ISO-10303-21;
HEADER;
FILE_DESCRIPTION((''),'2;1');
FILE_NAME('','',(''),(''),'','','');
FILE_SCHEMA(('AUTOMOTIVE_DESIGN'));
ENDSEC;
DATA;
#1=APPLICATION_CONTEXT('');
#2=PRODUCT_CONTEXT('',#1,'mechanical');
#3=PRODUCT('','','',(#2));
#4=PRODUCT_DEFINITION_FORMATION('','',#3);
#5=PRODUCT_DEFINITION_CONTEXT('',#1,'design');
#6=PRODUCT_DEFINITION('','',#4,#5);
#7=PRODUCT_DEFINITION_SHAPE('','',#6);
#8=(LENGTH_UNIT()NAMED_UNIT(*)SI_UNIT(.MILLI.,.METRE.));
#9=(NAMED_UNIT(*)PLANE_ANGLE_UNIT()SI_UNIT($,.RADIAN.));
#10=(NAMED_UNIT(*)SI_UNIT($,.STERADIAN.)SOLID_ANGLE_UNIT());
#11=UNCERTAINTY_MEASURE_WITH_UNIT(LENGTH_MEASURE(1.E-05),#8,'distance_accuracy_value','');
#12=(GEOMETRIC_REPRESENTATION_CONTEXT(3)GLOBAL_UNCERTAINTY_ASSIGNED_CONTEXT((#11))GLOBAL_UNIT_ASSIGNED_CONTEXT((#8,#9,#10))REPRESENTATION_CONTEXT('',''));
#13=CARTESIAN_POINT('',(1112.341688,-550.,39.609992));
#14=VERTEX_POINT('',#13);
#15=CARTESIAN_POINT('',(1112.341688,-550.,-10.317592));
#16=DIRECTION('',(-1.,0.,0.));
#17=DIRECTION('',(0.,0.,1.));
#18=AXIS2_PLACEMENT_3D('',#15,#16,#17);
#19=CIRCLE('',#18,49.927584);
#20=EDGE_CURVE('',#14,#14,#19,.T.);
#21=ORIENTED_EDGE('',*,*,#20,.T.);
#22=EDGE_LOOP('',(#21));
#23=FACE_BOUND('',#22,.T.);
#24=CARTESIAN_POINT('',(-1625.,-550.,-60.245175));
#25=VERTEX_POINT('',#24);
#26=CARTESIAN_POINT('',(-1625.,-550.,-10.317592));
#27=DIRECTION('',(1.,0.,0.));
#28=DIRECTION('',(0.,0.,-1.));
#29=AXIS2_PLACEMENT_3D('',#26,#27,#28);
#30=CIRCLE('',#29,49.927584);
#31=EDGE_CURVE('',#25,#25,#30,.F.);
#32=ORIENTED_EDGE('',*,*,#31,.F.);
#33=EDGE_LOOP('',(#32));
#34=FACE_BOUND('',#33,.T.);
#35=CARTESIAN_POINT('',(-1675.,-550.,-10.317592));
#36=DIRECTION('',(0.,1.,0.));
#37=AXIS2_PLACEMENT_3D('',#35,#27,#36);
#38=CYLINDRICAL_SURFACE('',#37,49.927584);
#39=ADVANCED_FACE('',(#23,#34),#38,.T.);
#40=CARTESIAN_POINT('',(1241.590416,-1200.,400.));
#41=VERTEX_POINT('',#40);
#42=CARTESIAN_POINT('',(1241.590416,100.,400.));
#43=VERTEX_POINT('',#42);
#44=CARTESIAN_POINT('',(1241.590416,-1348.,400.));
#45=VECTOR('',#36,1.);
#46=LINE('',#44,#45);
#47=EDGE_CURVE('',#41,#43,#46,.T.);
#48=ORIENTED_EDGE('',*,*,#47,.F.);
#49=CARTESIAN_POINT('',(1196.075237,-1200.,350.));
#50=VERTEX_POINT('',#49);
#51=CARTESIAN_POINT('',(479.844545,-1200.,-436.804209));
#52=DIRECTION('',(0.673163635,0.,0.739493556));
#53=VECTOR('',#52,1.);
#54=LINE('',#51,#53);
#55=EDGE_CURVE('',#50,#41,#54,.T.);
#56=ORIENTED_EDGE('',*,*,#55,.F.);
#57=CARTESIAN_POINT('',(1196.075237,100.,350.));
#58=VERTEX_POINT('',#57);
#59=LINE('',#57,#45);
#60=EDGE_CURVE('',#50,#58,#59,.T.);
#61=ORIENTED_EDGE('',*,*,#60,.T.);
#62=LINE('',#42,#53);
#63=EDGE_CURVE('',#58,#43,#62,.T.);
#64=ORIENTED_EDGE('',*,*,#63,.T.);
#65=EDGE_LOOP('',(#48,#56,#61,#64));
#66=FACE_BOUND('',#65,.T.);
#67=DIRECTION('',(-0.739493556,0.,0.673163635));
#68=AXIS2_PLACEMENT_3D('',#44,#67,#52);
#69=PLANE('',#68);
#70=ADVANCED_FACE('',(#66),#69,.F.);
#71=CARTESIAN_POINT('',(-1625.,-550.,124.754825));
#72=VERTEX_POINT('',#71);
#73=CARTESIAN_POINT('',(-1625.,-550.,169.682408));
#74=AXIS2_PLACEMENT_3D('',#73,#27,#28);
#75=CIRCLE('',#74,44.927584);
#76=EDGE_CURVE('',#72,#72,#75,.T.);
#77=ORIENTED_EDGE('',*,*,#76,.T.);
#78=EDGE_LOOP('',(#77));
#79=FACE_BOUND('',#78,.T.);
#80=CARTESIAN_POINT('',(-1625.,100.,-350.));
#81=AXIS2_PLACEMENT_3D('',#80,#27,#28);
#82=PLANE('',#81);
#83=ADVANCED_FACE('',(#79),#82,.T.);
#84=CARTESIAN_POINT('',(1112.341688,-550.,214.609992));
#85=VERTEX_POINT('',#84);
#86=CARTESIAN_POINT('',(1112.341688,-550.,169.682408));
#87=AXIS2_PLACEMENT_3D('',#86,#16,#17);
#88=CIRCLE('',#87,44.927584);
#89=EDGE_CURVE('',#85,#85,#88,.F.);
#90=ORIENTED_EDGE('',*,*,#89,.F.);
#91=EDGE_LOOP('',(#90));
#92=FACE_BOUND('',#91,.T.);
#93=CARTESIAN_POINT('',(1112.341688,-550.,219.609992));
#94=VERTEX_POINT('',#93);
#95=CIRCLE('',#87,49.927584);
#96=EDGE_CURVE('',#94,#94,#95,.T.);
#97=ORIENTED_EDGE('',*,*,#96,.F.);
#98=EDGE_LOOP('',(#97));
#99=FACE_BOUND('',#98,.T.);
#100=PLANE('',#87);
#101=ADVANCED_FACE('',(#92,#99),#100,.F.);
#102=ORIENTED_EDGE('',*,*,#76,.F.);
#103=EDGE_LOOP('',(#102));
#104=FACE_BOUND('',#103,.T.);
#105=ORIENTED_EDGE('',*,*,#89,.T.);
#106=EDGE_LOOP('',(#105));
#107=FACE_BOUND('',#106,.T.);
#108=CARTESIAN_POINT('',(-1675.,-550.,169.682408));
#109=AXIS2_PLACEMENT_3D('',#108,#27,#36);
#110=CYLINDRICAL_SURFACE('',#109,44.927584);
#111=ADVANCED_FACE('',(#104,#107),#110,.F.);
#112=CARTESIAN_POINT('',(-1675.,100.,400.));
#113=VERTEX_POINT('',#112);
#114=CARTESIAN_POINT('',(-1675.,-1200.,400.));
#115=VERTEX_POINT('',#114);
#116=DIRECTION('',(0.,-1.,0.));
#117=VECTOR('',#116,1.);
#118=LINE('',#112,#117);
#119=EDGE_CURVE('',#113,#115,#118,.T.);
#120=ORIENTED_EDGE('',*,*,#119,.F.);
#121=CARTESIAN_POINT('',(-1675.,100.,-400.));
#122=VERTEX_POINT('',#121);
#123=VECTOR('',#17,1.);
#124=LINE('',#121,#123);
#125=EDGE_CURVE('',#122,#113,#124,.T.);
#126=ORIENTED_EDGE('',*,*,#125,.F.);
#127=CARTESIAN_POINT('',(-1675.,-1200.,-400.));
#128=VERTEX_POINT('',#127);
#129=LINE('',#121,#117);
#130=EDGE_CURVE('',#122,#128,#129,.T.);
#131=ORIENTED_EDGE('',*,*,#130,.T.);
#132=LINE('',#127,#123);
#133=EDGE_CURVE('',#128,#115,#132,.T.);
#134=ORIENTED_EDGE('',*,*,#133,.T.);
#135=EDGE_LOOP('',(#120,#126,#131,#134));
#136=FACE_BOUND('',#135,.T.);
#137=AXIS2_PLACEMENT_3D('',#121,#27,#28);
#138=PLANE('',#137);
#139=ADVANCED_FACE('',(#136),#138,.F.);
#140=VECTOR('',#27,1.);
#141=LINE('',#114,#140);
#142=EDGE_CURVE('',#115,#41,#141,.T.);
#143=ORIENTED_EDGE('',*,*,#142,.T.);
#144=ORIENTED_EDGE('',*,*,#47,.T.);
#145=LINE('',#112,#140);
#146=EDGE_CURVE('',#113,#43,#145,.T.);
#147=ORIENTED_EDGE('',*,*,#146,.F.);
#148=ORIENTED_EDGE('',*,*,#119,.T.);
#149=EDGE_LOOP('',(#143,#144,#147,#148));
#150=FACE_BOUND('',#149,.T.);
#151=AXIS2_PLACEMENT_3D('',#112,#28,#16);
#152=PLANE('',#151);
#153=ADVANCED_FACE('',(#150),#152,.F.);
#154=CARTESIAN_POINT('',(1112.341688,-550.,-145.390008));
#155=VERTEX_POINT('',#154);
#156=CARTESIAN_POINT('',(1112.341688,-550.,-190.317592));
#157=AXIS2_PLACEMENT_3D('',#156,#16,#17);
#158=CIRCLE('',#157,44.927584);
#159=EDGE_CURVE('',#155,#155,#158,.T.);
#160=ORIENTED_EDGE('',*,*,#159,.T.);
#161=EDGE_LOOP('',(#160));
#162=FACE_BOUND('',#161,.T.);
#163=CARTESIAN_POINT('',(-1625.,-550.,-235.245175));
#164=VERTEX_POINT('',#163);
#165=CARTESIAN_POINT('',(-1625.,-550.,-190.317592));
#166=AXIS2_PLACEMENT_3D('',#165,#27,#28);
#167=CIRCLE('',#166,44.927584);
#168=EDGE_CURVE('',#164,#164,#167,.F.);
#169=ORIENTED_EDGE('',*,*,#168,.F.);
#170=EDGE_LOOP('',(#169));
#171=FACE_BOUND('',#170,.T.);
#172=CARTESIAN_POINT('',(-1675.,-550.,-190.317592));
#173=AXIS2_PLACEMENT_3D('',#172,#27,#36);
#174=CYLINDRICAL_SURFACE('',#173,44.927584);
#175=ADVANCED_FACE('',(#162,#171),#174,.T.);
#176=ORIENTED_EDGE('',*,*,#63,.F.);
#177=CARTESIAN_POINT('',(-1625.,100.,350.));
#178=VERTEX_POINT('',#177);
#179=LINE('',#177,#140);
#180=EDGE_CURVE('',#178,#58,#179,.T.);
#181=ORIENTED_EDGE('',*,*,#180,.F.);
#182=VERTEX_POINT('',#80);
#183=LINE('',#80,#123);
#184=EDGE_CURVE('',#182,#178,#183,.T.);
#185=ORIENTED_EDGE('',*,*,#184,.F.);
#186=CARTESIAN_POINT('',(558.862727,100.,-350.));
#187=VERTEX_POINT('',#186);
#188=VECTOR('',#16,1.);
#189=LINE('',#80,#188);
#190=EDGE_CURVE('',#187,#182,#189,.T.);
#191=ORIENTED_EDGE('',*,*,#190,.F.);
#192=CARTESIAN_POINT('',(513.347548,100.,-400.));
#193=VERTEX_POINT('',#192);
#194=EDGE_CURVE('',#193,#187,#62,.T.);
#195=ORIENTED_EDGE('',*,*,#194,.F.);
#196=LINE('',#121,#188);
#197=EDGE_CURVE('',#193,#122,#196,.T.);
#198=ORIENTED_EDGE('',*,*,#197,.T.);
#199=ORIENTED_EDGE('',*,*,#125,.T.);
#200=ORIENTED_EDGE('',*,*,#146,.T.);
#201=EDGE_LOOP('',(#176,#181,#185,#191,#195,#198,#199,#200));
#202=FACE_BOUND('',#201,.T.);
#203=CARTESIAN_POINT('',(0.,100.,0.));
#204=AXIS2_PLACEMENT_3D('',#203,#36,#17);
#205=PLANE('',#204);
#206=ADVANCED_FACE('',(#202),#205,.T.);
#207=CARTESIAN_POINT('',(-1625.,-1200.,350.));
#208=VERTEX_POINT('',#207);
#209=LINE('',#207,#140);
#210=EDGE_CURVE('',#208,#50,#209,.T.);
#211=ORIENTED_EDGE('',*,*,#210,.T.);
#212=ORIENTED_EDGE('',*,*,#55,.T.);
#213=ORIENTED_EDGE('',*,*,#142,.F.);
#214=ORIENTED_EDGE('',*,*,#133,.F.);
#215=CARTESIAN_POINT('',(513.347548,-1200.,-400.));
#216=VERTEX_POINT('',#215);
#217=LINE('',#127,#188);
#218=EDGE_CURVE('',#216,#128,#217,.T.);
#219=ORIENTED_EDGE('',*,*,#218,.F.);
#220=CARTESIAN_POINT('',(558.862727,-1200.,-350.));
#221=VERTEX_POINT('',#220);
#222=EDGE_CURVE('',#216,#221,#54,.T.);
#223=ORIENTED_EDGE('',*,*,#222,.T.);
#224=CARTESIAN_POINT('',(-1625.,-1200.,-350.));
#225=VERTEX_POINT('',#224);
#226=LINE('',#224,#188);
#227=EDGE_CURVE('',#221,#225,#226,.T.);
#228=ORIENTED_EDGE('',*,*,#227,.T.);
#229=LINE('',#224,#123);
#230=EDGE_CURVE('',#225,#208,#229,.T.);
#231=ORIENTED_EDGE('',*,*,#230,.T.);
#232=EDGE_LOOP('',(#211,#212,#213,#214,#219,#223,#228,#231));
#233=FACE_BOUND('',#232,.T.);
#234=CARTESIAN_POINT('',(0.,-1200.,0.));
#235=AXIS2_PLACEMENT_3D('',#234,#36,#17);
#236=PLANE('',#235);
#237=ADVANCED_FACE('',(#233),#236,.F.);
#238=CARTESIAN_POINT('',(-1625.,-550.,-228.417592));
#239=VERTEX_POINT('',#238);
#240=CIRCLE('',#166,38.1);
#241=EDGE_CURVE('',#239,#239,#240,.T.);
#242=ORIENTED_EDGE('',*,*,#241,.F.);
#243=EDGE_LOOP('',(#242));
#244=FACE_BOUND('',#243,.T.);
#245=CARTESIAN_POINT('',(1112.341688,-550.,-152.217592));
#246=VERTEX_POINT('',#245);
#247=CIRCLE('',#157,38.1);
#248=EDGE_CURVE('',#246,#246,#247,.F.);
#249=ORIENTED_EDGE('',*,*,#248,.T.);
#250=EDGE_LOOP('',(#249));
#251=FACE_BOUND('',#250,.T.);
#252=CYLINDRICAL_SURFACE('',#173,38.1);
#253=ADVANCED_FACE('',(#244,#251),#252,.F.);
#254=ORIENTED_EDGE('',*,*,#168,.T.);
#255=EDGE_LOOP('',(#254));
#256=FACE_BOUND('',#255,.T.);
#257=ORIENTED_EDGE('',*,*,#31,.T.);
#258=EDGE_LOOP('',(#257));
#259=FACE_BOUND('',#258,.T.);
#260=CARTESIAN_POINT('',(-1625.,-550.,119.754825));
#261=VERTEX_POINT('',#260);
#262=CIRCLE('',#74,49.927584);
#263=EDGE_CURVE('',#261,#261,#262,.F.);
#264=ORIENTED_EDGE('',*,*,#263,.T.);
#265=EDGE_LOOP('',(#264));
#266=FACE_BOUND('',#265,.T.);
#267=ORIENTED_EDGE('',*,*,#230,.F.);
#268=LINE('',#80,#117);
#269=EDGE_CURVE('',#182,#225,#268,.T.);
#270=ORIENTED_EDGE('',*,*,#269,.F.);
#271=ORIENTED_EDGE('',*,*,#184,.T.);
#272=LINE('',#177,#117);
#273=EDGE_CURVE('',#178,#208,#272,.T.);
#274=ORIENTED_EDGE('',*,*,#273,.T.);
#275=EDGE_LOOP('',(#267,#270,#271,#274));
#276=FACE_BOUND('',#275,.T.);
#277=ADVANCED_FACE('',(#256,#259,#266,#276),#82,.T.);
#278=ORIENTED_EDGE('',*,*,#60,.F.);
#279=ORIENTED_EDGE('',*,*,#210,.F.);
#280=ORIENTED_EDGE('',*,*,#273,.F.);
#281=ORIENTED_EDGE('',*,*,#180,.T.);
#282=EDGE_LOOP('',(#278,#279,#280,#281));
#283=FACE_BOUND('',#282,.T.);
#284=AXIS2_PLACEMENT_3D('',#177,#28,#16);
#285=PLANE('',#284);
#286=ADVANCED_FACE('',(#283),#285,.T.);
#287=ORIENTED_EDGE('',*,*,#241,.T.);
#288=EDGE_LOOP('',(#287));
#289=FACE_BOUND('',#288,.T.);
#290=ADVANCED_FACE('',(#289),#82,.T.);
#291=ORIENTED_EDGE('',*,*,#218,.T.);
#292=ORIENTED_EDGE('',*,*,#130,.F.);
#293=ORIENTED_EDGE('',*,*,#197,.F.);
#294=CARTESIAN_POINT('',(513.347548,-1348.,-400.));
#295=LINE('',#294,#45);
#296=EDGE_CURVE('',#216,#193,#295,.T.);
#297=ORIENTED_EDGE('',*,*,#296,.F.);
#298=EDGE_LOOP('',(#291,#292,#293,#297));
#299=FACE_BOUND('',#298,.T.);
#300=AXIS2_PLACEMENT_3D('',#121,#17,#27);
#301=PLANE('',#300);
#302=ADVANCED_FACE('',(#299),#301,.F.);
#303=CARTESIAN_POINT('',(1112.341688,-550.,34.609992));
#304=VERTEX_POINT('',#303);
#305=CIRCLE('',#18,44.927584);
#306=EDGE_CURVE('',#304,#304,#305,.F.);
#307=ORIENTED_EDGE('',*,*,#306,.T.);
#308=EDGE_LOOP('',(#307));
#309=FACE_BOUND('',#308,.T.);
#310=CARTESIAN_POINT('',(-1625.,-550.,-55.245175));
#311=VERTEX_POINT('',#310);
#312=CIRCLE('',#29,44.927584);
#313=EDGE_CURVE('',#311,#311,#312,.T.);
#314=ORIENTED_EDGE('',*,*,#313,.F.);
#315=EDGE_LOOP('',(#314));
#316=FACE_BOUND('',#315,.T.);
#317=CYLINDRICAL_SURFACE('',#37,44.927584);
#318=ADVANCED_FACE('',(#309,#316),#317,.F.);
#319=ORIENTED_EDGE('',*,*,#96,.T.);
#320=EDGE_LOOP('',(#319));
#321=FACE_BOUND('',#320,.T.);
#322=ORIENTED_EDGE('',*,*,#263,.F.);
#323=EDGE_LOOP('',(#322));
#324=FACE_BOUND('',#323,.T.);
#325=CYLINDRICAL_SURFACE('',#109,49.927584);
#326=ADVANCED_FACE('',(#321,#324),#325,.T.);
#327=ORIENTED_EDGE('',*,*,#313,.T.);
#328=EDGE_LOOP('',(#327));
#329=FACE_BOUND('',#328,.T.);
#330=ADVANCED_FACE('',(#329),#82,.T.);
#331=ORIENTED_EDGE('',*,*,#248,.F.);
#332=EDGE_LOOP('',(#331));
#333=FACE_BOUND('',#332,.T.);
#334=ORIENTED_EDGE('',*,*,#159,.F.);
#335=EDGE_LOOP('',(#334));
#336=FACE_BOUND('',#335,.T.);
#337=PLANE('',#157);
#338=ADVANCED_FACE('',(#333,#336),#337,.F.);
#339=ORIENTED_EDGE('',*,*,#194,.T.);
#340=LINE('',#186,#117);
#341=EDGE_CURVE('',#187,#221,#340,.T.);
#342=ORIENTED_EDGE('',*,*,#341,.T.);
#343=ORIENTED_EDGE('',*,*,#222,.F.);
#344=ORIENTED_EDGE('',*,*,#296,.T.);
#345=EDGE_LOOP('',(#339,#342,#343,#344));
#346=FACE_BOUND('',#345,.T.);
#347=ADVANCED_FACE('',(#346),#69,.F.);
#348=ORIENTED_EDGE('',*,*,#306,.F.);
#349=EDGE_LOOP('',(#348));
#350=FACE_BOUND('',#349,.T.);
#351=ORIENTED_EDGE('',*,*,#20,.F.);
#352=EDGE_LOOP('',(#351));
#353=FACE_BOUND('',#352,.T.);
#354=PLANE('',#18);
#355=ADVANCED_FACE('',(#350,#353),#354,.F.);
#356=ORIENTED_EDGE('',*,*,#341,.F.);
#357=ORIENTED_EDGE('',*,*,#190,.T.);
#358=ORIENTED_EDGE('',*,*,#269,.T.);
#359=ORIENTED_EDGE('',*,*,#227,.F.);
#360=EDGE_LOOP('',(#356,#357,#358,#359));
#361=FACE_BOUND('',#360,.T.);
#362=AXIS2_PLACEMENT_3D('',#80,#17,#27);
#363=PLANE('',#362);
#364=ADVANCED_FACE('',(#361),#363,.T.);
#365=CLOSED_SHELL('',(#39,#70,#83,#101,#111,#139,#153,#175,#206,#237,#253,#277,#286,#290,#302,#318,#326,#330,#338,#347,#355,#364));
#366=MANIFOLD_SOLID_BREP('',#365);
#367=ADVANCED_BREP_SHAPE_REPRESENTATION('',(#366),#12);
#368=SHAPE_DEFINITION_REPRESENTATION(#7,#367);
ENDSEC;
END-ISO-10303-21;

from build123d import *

# Parameters (mm, degrees)
SALIENTE_EXTRUIR1_DEPTH      = 100
SALIENTE_EXTRUIR1_DEPTH_BACK = 1200
CROQUIS1_W                   = 3350
CROQUIS1_H                   = 800
CROQUIS1_W_2                 = 3250
CROQUIS1_H_2                 = 700
CORTAR_EXTRUIR1_DEPTH        = 1448
CROQUIS3_R                   = 44.927583668
CROQUIS3_R_2                 = 38.1
CROQUIS3_R_3                 = 49.927583668


with BuildPart() as part:
    # Croquis1 → Saliente-Extruir1 (new, two sides: drawn at the far end of the back side and taken through both)
    with BuildSketch(Plane(origin=(0, 0, 0), x_dir=(1, 0, 0), z_dir=(0, 1, 0)).offset(-SALIENTE_EXTRUIR1_DEPTH_BACK)):
        Rectangle(CROQUIS1_W, CROQUIS1_H)
        Rectangle(CROQUIS1_W_2, CROQUIS1_H_2, mode=Mode.SUBTRACT)
    extrude(amount=SALIENTE_EXTRUIR1_DEPTH + SALIENTE_EXTRUIR1_DEPTH_BACK)

    # Croquis2 → Cortar-Extruir1 (cut)
    with BuildSketch(Plane(origin=(0, 100, 0), x_dir=(1, 0, 0), z_dir=(0, 1, 0))):
        Polygon((1241.59041613, -400), (513.347548089, 400), (1675, 400), (1675, -400), align=None)
    extrude(amount=-CORTAR_EXTRUIR1_DEPTH, mode=Mode.SUBTRACT)

    # Barrer1: sweep along a curve in space
    with BuildLine() as barrer1_path:
        Line((-1675, -550, 169.682408269), (1112.341688093, -550, 169.682408269))
    # Croquis3 → Barrer1 (sweep)
    # profile 1 of 3: a face of its own
    with BuildSketch(Plane.ZY.offset(1675)):
        with Locations((-190.317591731, -550)):
            Circle(CROQUIS3_R)
        with Locations((-190.317591731, -550)):
            Circle(CROQUIS3_R_2, mode=Mode.SUBTRACT)
    # profile 2 of 3: a face of its own
    with BuildSketch(Plane.ZY.offset(1675)):
        with Locations((-10.317591731, -550)):
            Circle(CROQUIS3_R_3)
        with Locations((-10.317591731, -550)):
            Circle(CROQUIS3_R, mode=Mode.SUBTRACT)
    # profile 3 of 3: a face of its own
    with BuildSketch(Plane.ZY.offset(1675)):
        with Locations((169.682408269, -550)):
            Circle(CROQUIS3_R_3)
        with Locations((169.682408269, -550)):
            Circle(CROQUIS3_R, mode=Mode.SUBTRACT)
    sweep(path=barrer1_path.line)


solid = part.part
